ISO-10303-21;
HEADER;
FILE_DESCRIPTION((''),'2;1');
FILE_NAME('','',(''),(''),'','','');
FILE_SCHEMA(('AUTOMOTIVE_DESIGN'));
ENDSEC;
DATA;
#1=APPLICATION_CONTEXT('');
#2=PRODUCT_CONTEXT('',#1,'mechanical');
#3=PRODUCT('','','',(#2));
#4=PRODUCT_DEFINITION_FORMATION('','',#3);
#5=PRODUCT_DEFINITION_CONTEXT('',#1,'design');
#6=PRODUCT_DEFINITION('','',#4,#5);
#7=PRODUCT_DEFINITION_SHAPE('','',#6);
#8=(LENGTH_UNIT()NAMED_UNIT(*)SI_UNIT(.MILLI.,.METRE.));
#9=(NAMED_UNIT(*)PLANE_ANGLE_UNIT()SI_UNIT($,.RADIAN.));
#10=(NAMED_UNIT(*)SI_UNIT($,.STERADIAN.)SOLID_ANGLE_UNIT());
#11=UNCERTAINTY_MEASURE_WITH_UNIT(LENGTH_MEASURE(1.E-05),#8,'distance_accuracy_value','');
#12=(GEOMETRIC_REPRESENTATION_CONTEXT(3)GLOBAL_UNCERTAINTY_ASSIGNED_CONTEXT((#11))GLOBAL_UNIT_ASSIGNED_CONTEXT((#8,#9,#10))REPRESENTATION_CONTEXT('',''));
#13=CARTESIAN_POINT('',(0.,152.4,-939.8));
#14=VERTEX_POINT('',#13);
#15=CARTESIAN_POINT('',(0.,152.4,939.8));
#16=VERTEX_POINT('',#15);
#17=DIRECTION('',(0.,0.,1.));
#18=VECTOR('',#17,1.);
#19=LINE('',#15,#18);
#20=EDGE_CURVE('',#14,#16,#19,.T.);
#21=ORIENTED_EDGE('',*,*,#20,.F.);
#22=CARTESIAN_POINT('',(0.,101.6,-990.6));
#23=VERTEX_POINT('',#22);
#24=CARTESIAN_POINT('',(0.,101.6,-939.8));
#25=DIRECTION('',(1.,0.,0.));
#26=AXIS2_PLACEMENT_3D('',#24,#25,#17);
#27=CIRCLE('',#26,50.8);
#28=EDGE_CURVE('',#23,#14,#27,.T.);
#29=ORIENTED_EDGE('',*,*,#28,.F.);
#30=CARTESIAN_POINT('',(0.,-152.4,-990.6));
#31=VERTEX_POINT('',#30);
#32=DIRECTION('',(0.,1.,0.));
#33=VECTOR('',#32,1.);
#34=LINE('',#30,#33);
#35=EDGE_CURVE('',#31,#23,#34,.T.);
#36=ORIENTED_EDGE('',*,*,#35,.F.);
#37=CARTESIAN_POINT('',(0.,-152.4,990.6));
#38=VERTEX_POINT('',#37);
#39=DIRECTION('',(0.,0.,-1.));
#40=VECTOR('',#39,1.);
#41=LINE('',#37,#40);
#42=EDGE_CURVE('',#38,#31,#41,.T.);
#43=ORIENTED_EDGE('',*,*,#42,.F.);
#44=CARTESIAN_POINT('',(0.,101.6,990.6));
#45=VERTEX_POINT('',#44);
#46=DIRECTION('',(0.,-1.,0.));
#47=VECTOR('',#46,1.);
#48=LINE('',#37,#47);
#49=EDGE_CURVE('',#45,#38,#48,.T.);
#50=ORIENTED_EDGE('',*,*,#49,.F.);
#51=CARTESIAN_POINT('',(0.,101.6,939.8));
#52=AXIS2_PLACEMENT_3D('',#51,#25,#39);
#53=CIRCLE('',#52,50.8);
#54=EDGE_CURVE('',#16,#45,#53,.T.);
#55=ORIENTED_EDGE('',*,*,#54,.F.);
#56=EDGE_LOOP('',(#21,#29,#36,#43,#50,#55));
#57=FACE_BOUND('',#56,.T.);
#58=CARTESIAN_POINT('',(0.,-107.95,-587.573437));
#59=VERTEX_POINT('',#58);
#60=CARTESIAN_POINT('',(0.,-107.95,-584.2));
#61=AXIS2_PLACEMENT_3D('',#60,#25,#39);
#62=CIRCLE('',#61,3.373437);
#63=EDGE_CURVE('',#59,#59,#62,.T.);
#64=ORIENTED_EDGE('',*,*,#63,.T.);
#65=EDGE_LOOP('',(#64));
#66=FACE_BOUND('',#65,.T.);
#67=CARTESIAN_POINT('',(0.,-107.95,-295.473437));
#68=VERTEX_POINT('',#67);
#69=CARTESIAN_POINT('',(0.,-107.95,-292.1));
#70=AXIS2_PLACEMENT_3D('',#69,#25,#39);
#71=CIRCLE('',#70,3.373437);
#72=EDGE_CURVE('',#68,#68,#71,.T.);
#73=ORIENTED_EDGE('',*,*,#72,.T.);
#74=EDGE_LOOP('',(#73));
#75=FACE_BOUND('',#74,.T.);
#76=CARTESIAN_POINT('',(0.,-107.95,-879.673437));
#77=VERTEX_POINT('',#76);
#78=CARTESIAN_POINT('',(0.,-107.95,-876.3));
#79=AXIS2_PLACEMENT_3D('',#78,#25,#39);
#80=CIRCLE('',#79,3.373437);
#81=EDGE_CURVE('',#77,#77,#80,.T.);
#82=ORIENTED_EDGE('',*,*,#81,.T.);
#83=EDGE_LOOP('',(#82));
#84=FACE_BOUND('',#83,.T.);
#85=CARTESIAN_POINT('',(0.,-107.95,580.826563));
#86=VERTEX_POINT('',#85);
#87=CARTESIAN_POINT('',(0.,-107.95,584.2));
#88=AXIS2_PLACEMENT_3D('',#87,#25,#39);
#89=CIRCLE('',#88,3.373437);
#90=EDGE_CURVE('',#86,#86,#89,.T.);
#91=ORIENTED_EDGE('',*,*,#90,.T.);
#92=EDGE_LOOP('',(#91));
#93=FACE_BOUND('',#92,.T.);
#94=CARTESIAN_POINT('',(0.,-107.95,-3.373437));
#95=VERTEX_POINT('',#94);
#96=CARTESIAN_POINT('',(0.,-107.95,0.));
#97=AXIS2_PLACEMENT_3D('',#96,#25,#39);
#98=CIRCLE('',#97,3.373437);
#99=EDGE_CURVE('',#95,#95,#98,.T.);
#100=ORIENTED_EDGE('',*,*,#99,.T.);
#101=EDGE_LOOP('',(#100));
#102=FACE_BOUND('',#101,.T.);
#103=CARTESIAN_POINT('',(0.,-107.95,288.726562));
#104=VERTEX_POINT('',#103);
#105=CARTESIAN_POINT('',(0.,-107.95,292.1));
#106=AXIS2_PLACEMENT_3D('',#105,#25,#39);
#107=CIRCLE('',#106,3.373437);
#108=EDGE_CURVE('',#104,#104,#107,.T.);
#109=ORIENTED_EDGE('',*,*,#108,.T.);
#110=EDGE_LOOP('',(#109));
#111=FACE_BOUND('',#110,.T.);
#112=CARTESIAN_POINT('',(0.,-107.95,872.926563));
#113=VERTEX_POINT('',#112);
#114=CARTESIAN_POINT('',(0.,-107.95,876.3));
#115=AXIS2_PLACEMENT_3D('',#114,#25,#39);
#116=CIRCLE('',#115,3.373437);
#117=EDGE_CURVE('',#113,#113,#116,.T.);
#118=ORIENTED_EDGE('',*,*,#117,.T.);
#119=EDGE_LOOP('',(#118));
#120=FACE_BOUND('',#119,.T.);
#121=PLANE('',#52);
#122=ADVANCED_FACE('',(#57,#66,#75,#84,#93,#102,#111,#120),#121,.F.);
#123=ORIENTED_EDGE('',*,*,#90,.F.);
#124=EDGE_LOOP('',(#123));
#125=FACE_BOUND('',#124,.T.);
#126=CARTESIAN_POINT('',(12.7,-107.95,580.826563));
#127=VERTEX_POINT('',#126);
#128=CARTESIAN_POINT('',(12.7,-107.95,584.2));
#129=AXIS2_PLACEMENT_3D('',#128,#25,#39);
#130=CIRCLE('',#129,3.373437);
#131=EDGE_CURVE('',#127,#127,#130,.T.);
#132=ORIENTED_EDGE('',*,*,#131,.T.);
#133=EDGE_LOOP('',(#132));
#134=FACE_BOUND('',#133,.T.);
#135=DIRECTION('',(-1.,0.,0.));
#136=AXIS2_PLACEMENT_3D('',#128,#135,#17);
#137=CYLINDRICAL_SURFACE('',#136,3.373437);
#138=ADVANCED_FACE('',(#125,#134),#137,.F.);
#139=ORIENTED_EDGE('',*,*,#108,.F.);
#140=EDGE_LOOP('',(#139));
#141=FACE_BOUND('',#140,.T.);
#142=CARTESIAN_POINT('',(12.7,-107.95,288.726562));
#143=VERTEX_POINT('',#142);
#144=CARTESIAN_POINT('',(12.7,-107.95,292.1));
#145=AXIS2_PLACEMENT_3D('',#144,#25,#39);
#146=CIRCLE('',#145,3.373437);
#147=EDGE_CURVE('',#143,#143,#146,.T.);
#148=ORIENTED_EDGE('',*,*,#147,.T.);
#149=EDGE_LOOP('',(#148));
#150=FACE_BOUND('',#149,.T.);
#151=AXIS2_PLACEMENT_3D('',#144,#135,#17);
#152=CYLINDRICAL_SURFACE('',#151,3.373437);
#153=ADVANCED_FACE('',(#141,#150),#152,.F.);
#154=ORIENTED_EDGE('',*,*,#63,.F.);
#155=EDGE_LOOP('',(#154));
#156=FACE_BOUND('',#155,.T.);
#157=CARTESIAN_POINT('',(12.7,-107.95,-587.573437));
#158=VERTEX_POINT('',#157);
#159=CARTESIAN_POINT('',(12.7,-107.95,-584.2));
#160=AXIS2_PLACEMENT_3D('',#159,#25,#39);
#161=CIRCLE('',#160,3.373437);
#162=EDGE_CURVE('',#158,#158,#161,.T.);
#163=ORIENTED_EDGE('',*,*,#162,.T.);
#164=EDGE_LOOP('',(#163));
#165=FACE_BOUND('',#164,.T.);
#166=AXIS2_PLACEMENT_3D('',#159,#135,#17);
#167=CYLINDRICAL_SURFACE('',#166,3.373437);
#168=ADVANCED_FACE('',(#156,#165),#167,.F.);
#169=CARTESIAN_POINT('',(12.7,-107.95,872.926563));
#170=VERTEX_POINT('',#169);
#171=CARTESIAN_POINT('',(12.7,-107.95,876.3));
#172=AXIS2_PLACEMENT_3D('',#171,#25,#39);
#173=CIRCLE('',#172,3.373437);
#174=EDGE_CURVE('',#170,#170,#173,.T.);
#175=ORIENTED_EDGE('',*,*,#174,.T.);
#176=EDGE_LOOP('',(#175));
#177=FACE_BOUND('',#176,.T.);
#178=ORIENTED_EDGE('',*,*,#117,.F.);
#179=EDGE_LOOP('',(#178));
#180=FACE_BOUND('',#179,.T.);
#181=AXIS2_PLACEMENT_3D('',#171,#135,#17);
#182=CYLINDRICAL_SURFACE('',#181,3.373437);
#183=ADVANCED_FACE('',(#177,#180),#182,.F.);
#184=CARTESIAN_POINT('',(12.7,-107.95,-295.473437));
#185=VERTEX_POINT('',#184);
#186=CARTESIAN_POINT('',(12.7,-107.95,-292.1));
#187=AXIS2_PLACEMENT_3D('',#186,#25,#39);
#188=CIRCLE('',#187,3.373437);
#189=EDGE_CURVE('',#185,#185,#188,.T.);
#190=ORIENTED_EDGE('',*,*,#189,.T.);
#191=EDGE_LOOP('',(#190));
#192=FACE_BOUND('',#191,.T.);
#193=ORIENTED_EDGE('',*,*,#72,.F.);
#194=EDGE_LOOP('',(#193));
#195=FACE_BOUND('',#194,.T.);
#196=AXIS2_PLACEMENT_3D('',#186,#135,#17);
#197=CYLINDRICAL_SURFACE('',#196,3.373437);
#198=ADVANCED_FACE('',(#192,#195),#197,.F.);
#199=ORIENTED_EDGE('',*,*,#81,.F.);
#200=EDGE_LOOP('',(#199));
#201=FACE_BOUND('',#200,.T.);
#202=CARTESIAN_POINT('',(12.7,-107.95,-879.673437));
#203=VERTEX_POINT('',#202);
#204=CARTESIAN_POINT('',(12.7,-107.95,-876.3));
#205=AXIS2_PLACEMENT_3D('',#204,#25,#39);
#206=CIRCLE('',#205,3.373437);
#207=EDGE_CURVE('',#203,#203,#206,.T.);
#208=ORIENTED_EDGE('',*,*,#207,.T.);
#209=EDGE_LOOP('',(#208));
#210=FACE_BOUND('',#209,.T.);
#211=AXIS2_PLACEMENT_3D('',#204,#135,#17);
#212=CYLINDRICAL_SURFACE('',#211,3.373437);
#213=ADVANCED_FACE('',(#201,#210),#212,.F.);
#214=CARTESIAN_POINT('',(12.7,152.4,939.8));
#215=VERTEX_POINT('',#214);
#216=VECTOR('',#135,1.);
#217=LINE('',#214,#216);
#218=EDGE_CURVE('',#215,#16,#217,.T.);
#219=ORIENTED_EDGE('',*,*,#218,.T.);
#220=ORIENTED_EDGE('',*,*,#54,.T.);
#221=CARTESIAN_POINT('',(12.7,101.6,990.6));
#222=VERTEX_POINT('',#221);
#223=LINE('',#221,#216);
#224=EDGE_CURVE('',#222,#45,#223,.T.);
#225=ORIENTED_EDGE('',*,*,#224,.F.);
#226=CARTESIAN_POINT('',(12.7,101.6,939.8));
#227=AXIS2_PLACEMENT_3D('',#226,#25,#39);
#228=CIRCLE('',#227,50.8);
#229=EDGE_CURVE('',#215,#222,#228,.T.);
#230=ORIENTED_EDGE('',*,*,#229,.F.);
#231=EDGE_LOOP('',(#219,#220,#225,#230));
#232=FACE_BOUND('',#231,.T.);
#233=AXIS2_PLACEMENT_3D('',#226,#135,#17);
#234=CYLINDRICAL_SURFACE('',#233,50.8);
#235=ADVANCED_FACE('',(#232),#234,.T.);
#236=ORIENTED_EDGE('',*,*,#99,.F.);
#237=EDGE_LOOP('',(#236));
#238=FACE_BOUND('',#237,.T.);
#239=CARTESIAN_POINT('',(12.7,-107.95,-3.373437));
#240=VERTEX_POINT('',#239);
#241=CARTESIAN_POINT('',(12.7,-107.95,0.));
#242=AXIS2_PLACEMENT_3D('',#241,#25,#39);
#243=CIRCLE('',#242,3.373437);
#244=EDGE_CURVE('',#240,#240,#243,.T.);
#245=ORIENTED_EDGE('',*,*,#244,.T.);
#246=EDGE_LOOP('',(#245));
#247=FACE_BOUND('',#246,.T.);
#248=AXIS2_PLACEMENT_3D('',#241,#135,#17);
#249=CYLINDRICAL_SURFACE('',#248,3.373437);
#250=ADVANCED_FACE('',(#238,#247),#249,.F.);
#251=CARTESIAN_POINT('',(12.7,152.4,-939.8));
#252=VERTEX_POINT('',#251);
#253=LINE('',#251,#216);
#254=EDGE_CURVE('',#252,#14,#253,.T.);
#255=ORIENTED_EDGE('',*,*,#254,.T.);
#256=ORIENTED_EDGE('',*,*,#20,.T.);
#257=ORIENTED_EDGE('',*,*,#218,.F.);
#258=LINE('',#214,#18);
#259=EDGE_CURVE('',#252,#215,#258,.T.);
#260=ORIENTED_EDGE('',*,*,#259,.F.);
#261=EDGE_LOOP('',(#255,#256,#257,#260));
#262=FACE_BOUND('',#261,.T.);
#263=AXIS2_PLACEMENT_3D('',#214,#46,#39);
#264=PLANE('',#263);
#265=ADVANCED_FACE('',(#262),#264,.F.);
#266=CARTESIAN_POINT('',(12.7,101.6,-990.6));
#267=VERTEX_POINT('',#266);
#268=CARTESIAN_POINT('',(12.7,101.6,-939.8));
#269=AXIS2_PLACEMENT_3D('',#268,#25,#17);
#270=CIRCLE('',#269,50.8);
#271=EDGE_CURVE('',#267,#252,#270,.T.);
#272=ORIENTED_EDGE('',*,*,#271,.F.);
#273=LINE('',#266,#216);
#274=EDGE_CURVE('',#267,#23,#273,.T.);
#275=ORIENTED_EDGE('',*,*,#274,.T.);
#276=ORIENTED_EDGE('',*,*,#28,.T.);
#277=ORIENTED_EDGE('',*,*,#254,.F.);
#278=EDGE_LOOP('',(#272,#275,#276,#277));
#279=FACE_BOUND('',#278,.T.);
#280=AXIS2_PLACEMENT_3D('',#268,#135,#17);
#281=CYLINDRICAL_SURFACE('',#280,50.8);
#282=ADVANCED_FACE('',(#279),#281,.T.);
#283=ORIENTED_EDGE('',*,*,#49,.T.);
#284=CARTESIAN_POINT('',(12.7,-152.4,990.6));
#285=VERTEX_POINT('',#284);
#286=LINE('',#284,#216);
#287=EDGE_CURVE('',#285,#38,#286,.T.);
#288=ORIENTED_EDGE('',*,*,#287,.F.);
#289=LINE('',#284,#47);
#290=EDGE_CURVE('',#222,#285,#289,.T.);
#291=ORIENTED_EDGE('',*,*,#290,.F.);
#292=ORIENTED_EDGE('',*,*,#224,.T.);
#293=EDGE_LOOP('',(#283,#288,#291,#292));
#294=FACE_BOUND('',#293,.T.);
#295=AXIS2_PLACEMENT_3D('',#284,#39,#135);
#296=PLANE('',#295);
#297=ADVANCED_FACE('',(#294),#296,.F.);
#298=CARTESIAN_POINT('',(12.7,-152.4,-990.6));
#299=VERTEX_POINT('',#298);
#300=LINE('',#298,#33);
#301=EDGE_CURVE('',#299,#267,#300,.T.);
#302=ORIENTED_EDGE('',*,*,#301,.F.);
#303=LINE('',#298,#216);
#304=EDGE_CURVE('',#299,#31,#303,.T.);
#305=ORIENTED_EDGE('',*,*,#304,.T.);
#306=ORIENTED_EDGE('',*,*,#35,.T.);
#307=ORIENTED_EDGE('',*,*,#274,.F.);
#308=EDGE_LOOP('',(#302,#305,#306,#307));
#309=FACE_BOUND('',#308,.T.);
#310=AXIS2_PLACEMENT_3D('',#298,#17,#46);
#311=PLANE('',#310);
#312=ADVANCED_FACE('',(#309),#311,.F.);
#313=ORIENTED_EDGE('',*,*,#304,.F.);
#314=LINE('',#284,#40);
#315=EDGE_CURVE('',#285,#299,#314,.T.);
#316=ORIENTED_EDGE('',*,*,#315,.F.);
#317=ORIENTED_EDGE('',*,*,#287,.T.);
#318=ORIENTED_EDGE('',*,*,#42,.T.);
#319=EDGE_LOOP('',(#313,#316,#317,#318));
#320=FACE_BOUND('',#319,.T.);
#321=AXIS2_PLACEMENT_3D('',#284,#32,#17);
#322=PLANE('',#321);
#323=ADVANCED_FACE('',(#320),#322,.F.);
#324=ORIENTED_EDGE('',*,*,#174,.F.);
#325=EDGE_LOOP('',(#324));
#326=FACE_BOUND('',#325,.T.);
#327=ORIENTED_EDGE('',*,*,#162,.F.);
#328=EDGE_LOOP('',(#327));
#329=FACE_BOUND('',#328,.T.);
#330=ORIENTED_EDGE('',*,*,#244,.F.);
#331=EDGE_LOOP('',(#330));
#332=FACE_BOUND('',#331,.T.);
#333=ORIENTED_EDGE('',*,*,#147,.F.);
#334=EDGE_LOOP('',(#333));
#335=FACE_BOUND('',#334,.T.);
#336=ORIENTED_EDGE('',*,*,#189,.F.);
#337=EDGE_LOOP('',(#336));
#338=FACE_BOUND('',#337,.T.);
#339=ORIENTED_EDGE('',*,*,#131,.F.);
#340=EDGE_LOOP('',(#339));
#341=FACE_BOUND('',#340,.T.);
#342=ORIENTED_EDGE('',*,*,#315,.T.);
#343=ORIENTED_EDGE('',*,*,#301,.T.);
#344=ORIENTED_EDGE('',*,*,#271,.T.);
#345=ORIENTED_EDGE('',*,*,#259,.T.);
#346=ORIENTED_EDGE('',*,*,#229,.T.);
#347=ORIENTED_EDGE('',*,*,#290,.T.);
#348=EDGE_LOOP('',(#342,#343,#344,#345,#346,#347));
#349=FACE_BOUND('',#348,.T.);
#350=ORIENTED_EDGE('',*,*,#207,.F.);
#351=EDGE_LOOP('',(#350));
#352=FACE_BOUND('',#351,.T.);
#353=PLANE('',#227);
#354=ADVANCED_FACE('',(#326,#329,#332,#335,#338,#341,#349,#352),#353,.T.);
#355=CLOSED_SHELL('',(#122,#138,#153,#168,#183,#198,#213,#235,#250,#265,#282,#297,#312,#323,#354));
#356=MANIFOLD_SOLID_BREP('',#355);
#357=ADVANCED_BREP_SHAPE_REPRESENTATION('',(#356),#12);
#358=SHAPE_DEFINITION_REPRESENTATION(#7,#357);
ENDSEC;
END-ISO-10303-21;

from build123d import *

# Parameters (mm, degrees)
SKETCH1_R           = 3.3734375
BOSS_EXTRUDE1_DEPTH = 12.7


with BuildPart() as part:
    # Sketch1 → Boss-Extrude1 (new body)
    with BuildSketch(Plane(origin=(0, 0, 0), x_dir=(0, 0, -1), z_dir=(1, 0, 0))):
        with BuildLine():
            Line((-990.6, -152.4), (990.6, -152.4))
            Line((990.6, -152.4), (990.6, 101.6))
            ThreePointArc((990.6, 101.6), (975.721024484, 137.521024484), (939.8, 152.4))
            Line((939.8, 152.4), (-939.8, 152.4))
            ThreePointArc((-939.8, 152.4), (-975.721024484, 137.521024484), (-990.6, 101.6))
            Line((-990.6, 101.6), (-990.6, -152.4))
        make_face()
        with Locations((-876.3, -107.95)):
            Circle(SKETCH1_R, mode=Mode.SUBTRACT)
        with Locations((-584.2, -107.95)):
            Circle(SKETCH1_R, mode=Mode.SUBTRACT)
        with Locations((-292.1, -107.95)):
            Circle(SKETCH1_R, mode=Mode.SUBTRACT)
        with Locations((0, -107.95)):
            Circle(SKETCH1_R, mode=Mode.SUBTRACT)
        with Locations((292.1, -107.95)):
            Circle(SKETCH1_R, mode=Mode.SUBTRACT)
        with Locations((584.2, -107.95)):
            Circle(SKETCH1_R, mode=Mode.SUBTRACT)
        with Locations((876.3, -107.95)):
            Circle(SKETCH1_R, mode=Mode.SUBTRACT)
    extrude(amount=BOSS_EXTRUDE1_DEPTH)


solid = part.part
